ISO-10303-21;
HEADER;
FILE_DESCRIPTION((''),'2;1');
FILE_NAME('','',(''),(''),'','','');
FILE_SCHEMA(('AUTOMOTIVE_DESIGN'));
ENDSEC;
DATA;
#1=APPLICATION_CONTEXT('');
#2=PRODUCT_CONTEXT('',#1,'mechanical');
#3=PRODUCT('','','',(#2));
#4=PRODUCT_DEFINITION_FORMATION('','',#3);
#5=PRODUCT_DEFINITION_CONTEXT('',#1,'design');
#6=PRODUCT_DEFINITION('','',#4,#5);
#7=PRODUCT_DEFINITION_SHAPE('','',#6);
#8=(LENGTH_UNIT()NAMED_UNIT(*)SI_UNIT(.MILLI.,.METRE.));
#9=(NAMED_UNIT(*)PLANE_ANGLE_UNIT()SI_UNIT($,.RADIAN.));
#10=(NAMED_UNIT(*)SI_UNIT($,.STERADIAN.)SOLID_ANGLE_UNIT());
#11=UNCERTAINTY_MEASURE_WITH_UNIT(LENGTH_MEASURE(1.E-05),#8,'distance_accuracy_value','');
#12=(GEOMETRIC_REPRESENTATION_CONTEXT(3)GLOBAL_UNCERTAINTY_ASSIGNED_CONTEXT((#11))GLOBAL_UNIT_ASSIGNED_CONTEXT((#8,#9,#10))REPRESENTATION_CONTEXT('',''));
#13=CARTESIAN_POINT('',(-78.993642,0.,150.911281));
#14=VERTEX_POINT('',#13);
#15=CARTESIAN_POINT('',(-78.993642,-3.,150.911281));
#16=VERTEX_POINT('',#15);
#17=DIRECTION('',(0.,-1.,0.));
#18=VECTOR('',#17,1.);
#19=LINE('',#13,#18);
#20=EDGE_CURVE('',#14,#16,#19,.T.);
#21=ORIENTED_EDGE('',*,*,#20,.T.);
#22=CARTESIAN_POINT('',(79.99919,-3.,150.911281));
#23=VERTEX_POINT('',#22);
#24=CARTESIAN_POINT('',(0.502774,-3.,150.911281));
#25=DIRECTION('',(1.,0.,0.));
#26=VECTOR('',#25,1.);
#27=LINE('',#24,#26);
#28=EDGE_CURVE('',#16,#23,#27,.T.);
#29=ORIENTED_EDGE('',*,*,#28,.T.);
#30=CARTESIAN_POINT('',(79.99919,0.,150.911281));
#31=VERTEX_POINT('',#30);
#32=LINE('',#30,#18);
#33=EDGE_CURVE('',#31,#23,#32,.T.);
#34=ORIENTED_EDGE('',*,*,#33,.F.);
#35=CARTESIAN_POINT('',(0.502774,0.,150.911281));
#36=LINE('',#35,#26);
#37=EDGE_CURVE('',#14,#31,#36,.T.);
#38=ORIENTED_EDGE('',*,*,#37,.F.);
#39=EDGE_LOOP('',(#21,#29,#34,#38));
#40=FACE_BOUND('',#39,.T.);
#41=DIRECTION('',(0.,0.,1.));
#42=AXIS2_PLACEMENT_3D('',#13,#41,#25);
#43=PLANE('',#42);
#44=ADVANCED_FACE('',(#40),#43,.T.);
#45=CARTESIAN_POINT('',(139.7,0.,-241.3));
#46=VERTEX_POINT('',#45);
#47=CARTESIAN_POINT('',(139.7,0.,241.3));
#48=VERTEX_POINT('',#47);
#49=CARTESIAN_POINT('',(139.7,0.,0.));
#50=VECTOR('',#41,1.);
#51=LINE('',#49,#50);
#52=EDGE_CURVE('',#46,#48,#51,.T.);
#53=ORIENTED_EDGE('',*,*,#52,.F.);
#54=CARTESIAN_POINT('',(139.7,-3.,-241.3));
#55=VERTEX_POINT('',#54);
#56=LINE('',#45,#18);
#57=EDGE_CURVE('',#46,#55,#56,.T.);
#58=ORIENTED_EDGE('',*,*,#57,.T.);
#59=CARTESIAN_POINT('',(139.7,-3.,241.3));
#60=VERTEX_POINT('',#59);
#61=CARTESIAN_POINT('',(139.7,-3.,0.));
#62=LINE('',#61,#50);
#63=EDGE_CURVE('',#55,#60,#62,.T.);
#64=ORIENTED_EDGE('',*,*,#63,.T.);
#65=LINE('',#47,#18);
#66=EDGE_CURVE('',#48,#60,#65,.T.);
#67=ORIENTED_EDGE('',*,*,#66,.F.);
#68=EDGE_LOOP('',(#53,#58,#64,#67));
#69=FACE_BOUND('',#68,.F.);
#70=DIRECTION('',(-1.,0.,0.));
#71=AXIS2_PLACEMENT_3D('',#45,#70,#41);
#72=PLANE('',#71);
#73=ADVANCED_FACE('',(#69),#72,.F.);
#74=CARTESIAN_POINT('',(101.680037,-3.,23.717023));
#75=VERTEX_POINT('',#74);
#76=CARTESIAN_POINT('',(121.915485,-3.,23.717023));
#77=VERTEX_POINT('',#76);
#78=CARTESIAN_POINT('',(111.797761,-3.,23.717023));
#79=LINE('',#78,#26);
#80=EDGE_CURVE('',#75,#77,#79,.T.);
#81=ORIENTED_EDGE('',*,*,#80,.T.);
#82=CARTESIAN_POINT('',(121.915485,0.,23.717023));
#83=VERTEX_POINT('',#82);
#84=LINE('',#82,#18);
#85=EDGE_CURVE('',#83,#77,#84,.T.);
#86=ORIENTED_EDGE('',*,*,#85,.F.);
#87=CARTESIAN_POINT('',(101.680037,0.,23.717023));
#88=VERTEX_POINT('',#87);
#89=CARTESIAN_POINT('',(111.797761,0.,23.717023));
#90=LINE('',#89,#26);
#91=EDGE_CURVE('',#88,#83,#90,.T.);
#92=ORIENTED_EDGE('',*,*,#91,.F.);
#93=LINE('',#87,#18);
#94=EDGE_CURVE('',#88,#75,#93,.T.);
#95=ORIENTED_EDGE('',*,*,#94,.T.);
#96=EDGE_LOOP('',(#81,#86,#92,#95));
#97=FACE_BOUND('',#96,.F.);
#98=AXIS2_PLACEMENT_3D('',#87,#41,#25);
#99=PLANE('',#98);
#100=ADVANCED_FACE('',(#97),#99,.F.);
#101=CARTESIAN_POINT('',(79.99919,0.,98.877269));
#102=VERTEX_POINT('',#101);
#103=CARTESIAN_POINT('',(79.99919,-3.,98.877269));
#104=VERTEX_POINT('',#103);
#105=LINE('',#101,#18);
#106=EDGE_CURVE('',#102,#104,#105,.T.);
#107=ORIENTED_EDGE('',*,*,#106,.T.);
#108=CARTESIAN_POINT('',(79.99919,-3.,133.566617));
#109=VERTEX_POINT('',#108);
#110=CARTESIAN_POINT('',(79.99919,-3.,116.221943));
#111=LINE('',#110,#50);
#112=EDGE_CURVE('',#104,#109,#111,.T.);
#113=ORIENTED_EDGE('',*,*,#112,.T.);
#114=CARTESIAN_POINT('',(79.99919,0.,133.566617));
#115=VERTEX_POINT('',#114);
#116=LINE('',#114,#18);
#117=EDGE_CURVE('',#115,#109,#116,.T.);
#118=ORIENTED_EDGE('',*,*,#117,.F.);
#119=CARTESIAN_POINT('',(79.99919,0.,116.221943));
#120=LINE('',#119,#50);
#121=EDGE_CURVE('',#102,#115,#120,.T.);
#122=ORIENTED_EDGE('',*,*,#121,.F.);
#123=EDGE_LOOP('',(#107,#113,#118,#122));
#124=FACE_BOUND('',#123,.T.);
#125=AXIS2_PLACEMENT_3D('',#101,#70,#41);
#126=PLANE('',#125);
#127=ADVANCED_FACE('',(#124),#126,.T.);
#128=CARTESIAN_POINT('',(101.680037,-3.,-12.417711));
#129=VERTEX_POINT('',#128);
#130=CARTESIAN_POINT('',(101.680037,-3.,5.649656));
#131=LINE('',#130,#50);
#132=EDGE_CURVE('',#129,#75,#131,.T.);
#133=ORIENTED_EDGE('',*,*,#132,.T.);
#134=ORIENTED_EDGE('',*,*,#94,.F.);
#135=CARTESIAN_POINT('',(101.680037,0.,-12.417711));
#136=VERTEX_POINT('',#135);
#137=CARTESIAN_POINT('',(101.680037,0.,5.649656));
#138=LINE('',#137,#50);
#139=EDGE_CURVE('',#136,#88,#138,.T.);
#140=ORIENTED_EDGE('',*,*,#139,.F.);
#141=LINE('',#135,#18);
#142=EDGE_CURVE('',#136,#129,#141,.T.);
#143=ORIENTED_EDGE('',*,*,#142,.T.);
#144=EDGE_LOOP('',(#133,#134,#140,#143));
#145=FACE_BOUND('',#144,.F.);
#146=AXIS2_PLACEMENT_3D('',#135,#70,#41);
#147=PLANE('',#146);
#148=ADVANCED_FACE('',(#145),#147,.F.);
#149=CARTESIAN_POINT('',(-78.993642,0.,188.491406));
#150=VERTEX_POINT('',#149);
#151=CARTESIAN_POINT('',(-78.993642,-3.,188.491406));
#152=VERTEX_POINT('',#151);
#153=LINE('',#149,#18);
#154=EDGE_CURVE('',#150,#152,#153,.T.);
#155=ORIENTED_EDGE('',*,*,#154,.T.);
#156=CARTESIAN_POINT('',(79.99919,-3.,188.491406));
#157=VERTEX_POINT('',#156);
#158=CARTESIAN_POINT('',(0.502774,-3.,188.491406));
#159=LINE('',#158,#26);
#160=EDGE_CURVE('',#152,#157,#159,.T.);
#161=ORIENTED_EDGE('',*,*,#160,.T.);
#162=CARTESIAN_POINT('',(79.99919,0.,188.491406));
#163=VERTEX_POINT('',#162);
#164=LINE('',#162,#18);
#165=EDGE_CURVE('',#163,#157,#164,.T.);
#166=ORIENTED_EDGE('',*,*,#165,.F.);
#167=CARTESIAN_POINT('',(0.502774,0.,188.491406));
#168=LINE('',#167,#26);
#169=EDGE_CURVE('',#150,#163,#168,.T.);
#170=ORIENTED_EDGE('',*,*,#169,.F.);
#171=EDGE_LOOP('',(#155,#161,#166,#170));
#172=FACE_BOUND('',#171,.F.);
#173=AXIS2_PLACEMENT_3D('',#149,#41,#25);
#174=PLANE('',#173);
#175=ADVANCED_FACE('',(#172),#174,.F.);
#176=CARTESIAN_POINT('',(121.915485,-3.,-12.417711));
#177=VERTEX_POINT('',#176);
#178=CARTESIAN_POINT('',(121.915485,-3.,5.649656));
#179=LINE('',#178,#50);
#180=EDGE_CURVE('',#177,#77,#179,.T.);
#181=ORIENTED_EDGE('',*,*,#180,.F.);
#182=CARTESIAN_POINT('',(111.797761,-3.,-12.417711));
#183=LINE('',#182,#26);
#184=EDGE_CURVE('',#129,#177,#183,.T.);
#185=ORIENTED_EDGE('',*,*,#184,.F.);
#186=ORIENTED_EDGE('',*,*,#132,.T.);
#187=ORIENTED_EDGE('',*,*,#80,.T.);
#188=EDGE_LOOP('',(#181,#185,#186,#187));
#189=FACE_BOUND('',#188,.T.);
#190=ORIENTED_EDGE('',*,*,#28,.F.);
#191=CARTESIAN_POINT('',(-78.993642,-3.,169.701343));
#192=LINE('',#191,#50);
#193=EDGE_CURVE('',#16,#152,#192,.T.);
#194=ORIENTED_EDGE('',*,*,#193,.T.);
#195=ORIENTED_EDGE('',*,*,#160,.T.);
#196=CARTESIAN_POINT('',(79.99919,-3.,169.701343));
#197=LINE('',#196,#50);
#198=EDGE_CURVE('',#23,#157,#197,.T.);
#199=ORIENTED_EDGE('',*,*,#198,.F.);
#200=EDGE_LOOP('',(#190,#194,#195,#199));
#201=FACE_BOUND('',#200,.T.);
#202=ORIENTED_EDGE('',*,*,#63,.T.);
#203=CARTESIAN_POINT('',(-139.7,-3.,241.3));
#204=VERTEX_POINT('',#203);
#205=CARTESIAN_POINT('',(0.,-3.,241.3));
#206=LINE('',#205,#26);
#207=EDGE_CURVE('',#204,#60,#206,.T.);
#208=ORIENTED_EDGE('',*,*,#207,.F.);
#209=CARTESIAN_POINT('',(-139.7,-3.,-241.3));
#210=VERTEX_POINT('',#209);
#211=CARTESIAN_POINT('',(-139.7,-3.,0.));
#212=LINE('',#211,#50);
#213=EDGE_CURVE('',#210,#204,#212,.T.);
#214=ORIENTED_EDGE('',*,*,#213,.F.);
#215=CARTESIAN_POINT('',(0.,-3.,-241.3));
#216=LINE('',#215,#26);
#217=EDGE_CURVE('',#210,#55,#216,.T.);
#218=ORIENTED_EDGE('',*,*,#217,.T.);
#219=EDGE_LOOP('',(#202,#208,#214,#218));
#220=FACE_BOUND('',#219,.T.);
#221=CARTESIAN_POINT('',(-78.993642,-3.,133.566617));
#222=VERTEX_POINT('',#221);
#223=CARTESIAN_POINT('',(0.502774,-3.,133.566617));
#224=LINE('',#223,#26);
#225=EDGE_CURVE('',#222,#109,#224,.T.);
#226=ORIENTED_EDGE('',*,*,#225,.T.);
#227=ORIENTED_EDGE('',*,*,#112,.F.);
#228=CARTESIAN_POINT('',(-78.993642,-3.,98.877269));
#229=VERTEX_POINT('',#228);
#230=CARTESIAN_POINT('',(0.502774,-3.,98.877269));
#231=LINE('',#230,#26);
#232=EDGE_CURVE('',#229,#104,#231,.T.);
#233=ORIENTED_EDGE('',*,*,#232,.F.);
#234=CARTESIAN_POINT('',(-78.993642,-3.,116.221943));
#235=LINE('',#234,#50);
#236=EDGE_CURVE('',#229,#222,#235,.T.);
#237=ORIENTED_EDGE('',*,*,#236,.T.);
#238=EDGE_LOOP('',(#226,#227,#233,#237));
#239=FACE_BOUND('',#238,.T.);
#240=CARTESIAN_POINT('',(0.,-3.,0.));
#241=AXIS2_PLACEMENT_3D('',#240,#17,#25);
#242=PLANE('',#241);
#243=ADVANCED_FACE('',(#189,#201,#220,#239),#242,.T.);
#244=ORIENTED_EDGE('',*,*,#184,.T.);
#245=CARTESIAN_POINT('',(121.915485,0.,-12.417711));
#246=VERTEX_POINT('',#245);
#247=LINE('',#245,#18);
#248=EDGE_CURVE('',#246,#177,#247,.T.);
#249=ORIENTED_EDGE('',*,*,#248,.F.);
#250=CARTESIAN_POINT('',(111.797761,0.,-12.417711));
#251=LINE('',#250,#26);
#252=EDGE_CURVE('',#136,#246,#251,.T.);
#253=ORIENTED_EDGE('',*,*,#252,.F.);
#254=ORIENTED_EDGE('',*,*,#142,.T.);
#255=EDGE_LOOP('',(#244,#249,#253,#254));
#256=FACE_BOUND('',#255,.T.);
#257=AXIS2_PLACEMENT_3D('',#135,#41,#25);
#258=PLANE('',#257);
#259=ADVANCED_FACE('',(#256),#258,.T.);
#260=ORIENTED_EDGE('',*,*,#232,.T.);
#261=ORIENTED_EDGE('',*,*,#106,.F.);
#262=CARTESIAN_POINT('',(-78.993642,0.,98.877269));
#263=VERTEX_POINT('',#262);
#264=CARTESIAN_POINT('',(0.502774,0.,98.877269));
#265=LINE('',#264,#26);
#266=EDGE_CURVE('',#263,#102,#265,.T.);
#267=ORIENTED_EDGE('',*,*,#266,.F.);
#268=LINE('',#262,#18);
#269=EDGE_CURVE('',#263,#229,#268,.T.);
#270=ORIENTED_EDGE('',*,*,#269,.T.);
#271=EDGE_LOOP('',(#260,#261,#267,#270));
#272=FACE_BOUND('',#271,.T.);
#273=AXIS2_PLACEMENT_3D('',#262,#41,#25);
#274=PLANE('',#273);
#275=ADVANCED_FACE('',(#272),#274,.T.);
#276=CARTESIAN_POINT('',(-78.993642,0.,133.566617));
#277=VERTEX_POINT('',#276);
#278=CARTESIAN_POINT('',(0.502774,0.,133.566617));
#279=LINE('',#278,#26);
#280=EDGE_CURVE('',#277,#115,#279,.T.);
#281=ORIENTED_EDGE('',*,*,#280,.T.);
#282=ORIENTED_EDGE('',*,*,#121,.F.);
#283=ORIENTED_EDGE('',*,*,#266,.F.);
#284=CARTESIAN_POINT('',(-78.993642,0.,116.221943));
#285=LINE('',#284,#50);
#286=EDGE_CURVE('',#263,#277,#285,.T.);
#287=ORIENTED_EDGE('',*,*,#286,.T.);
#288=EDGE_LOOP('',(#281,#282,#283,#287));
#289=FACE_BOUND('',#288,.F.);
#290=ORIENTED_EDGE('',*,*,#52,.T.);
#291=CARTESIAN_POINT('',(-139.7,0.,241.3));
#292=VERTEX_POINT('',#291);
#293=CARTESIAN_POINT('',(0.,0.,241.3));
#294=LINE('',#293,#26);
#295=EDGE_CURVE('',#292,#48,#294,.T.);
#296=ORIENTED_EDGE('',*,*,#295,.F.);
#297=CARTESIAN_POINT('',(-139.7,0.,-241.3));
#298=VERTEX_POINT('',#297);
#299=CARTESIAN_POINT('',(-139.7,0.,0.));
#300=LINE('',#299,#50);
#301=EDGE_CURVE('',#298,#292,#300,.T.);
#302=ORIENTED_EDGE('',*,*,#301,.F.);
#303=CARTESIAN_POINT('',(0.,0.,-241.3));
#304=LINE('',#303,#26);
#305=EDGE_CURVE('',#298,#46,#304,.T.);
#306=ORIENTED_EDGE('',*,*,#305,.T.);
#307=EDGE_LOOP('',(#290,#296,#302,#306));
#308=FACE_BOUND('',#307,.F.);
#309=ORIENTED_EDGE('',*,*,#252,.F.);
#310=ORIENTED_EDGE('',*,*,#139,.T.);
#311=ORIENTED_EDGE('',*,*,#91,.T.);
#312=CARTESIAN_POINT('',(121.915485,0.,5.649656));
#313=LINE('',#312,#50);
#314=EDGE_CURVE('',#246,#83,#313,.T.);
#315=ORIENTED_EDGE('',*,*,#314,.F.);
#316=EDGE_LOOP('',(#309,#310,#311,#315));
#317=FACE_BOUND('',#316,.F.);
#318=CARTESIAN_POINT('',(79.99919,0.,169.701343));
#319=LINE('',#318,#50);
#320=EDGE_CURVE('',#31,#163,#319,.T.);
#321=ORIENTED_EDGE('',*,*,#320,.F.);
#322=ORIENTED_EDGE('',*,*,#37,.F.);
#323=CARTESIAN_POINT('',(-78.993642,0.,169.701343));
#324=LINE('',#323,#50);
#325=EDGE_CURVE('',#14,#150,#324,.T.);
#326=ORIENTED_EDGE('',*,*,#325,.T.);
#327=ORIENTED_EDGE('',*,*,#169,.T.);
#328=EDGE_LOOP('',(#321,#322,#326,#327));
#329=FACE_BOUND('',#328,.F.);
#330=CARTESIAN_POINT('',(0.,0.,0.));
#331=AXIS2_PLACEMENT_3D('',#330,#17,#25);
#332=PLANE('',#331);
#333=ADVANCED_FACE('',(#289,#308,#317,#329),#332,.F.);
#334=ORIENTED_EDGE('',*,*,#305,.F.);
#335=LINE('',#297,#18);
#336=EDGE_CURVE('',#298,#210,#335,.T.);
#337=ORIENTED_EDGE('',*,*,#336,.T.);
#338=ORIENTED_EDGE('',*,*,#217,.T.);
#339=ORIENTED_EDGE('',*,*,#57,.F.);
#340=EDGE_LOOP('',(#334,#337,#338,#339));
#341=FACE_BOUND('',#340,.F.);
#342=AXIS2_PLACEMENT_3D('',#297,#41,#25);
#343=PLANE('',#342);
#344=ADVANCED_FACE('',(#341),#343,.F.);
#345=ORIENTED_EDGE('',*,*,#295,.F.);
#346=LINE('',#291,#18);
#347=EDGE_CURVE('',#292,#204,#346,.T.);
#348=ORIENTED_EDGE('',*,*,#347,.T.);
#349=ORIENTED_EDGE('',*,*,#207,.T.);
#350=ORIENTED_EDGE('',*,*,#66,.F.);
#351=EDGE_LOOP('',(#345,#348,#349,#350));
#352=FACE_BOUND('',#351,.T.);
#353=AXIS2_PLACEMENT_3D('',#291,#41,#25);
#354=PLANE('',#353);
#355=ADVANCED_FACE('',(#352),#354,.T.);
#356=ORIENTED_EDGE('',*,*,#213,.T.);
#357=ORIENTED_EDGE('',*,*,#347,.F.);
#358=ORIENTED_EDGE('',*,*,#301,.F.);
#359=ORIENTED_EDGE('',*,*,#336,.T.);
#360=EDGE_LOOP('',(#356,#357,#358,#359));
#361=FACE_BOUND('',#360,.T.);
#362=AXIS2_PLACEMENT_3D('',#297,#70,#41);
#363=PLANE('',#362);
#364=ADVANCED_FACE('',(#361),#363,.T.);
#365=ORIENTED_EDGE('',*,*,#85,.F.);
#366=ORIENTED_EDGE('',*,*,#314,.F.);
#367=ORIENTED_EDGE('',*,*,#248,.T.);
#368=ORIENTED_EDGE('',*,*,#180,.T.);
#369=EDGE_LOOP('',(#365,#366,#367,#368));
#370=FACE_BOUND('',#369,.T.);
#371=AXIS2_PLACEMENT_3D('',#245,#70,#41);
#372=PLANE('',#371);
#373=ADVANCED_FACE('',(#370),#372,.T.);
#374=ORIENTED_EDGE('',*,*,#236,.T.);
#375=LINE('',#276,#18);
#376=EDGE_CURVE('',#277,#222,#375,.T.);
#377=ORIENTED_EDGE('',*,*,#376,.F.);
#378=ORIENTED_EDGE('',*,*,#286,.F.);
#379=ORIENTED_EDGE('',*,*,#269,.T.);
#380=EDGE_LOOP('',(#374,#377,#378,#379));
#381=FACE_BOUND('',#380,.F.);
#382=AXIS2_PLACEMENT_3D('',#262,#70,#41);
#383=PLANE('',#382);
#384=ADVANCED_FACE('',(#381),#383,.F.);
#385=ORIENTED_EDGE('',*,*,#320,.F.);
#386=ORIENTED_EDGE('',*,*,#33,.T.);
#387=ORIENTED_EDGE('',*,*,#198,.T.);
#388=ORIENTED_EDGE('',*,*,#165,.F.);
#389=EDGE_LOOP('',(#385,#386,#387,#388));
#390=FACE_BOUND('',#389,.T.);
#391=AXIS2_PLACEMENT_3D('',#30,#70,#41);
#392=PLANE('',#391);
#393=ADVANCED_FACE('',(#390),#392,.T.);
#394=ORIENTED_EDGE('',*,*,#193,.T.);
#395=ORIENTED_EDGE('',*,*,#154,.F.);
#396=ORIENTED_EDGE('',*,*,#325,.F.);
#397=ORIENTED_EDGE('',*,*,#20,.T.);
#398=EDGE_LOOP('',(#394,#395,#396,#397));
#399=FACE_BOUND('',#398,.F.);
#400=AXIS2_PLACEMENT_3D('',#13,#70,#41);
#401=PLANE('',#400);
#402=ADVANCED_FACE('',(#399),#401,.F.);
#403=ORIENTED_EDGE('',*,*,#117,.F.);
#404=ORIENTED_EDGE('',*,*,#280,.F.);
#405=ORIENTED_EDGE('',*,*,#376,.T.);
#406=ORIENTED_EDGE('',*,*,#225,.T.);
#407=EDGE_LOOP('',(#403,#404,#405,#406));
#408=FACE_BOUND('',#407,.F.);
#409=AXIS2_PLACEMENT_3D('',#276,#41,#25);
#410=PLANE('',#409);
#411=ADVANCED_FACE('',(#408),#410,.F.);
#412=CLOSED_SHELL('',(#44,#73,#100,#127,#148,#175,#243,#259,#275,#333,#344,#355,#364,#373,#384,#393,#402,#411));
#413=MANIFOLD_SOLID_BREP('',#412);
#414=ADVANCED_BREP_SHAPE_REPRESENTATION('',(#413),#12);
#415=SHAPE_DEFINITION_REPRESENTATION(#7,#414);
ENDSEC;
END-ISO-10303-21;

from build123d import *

# Parameters (mm, degrees)
F0_W     = 279.4
F0_H     = 482.6
F0_W_2   = 158.992832
F0_H_2   = 34.689348
F0_W_3   = 20.235447
F0_H_3   = 36.134735
F0_H_4   = 37.580125
F1_DEPTH = 3


with BuildPart() as f1:
    # F0 (on Front) → F1 (new body)
    with BuildSketch(Plane.XZ):
        Rectangle(F0_W, F0_H)
        with Locations((0.502774, 116.221943)):
            Rectangle(F0_W_2, F0_H_2, mode=Mode.SUBTRACT)
        with Locations((111.797761, 5.649656)):
            Rectangle(F0_W_3, F0_H_3, mode=Mode.SUBTRACT)
        with Locations((0.502774, 169.701343)):
            Rectangle(F0_W_2, F0_H_4, mode=Mode.SUBTRACT)
    extrude(amount=F1_DEPTH)


solid = f1.part
